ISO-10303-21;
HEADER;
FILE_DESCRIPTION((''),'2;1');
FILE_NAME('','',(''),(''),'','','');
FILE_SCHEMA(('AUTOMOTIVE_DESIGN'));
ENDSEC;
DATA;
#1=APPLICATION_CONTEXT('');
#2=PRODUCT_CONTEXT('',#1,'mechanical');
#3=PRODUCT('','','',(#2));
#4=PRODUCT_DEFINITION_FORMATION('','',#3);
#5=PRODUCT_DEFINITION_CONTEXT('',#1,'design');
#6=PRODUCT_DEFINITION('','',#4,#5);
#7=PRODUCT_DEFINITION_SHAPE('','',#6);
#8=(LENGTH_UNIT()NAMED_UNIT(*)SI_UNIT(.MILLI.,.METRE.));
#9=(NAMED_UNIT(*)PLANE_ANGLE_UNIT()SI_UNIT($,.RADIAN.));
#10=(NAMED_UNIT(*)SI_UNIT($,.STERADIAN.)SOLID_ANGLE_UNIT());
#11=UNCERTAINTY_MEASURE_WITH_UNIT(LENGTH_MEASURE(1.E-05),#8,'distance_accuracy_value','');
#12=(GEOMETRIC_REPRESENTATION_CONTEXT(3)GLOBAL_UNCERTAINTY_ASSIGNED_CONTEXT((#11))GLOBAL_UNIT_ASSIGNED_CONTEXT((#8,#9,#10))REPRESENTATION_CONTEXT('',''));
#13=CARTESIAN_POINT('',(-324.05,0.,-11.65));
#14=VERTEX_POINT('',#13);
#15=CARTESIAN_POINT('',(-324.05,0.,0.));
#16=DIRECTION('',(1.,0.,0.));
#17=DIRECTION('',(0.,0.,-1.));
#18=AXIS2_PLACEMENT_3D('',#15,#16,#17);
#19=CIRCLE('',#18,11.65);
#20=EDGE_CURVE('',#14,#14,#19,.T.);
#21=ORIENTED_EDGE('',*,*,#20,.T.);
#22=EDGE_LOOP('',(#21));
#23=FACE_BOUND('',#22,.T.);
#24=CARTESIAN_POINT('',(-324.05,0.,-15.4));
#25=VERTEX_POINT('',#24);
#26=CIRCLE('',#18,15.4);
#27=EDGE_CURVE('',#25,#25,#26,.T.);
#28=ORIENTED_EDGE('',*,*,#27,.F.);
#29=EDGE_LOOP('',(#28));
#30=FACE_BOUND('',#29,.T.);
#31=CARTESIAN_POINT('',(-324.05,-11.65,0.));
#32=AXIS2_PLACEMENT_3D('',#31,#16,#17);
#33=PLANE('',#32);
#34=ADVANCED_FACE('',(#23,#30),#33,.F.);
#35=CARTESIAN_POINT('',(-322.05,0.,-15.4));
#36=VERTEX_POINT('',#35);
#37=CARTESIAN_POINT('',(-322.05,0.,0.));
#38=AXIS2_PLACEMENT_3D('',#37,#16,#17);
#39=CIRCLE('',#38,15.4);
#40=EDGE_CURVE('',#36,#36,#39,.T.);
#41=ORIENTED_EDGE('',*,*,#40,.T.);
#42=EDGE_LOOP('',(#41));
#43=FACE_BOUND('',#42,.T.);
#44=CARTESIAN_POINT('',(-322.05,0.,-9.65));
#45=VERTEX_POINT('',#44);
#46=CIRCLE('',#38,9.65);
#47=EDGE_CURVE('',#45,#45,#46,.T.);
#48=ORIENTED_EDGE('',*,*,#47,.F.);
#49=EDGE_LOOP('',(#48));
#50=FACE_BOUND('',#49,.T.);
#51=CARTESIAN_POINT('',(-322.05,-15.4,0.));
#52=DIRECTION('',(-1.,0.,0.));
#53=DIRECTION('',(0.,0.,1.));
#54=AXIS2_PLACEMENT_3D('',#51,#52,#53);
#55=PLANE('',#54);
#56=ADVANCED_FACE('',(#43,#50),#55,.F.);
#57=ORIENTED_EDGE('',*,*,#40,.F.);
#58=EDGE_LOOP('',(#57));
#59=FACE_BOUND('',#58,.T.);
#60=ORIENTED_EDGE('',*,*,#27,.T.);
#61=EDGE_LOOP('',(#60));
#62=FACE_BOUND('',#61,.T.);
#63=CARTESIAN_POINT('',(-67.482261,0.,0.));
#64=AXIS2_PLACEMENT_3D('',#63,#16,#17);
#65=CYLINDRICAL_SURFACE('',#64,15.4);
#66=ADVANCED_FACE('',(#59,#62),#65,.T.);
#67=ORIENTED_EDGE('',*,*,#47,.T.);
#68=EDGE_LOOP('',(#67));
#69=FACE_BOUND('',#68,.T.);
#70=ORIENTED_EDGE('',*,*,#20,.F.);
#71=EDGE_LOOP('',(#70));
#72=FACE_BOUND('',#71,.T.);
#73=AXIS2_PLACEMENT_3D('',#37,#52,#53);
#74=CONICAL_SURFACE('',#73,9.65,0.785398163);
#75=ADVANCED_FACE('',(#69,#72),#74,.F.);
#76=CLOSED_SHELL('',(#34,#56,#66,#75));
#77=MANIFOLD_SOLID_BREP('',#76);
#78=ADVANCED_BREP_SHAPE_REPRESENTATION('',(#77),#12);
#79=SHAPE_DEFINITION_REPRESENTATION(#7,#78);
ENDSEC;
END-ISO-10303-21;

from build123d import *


with BuildPart() as part:
    # Skica2 → Rotovat2 (revolve)
    with BuildSketch(Plane.XY):
        Polygon((-324.05, -15.4), (-322.05, -15.4), (-322.05, -9.65), (-324.05, -11.65), align=None)
    revolve(axis=Axis((-67.482261058, 0, 0), (-1, 0, 0)))


solid = part.part
